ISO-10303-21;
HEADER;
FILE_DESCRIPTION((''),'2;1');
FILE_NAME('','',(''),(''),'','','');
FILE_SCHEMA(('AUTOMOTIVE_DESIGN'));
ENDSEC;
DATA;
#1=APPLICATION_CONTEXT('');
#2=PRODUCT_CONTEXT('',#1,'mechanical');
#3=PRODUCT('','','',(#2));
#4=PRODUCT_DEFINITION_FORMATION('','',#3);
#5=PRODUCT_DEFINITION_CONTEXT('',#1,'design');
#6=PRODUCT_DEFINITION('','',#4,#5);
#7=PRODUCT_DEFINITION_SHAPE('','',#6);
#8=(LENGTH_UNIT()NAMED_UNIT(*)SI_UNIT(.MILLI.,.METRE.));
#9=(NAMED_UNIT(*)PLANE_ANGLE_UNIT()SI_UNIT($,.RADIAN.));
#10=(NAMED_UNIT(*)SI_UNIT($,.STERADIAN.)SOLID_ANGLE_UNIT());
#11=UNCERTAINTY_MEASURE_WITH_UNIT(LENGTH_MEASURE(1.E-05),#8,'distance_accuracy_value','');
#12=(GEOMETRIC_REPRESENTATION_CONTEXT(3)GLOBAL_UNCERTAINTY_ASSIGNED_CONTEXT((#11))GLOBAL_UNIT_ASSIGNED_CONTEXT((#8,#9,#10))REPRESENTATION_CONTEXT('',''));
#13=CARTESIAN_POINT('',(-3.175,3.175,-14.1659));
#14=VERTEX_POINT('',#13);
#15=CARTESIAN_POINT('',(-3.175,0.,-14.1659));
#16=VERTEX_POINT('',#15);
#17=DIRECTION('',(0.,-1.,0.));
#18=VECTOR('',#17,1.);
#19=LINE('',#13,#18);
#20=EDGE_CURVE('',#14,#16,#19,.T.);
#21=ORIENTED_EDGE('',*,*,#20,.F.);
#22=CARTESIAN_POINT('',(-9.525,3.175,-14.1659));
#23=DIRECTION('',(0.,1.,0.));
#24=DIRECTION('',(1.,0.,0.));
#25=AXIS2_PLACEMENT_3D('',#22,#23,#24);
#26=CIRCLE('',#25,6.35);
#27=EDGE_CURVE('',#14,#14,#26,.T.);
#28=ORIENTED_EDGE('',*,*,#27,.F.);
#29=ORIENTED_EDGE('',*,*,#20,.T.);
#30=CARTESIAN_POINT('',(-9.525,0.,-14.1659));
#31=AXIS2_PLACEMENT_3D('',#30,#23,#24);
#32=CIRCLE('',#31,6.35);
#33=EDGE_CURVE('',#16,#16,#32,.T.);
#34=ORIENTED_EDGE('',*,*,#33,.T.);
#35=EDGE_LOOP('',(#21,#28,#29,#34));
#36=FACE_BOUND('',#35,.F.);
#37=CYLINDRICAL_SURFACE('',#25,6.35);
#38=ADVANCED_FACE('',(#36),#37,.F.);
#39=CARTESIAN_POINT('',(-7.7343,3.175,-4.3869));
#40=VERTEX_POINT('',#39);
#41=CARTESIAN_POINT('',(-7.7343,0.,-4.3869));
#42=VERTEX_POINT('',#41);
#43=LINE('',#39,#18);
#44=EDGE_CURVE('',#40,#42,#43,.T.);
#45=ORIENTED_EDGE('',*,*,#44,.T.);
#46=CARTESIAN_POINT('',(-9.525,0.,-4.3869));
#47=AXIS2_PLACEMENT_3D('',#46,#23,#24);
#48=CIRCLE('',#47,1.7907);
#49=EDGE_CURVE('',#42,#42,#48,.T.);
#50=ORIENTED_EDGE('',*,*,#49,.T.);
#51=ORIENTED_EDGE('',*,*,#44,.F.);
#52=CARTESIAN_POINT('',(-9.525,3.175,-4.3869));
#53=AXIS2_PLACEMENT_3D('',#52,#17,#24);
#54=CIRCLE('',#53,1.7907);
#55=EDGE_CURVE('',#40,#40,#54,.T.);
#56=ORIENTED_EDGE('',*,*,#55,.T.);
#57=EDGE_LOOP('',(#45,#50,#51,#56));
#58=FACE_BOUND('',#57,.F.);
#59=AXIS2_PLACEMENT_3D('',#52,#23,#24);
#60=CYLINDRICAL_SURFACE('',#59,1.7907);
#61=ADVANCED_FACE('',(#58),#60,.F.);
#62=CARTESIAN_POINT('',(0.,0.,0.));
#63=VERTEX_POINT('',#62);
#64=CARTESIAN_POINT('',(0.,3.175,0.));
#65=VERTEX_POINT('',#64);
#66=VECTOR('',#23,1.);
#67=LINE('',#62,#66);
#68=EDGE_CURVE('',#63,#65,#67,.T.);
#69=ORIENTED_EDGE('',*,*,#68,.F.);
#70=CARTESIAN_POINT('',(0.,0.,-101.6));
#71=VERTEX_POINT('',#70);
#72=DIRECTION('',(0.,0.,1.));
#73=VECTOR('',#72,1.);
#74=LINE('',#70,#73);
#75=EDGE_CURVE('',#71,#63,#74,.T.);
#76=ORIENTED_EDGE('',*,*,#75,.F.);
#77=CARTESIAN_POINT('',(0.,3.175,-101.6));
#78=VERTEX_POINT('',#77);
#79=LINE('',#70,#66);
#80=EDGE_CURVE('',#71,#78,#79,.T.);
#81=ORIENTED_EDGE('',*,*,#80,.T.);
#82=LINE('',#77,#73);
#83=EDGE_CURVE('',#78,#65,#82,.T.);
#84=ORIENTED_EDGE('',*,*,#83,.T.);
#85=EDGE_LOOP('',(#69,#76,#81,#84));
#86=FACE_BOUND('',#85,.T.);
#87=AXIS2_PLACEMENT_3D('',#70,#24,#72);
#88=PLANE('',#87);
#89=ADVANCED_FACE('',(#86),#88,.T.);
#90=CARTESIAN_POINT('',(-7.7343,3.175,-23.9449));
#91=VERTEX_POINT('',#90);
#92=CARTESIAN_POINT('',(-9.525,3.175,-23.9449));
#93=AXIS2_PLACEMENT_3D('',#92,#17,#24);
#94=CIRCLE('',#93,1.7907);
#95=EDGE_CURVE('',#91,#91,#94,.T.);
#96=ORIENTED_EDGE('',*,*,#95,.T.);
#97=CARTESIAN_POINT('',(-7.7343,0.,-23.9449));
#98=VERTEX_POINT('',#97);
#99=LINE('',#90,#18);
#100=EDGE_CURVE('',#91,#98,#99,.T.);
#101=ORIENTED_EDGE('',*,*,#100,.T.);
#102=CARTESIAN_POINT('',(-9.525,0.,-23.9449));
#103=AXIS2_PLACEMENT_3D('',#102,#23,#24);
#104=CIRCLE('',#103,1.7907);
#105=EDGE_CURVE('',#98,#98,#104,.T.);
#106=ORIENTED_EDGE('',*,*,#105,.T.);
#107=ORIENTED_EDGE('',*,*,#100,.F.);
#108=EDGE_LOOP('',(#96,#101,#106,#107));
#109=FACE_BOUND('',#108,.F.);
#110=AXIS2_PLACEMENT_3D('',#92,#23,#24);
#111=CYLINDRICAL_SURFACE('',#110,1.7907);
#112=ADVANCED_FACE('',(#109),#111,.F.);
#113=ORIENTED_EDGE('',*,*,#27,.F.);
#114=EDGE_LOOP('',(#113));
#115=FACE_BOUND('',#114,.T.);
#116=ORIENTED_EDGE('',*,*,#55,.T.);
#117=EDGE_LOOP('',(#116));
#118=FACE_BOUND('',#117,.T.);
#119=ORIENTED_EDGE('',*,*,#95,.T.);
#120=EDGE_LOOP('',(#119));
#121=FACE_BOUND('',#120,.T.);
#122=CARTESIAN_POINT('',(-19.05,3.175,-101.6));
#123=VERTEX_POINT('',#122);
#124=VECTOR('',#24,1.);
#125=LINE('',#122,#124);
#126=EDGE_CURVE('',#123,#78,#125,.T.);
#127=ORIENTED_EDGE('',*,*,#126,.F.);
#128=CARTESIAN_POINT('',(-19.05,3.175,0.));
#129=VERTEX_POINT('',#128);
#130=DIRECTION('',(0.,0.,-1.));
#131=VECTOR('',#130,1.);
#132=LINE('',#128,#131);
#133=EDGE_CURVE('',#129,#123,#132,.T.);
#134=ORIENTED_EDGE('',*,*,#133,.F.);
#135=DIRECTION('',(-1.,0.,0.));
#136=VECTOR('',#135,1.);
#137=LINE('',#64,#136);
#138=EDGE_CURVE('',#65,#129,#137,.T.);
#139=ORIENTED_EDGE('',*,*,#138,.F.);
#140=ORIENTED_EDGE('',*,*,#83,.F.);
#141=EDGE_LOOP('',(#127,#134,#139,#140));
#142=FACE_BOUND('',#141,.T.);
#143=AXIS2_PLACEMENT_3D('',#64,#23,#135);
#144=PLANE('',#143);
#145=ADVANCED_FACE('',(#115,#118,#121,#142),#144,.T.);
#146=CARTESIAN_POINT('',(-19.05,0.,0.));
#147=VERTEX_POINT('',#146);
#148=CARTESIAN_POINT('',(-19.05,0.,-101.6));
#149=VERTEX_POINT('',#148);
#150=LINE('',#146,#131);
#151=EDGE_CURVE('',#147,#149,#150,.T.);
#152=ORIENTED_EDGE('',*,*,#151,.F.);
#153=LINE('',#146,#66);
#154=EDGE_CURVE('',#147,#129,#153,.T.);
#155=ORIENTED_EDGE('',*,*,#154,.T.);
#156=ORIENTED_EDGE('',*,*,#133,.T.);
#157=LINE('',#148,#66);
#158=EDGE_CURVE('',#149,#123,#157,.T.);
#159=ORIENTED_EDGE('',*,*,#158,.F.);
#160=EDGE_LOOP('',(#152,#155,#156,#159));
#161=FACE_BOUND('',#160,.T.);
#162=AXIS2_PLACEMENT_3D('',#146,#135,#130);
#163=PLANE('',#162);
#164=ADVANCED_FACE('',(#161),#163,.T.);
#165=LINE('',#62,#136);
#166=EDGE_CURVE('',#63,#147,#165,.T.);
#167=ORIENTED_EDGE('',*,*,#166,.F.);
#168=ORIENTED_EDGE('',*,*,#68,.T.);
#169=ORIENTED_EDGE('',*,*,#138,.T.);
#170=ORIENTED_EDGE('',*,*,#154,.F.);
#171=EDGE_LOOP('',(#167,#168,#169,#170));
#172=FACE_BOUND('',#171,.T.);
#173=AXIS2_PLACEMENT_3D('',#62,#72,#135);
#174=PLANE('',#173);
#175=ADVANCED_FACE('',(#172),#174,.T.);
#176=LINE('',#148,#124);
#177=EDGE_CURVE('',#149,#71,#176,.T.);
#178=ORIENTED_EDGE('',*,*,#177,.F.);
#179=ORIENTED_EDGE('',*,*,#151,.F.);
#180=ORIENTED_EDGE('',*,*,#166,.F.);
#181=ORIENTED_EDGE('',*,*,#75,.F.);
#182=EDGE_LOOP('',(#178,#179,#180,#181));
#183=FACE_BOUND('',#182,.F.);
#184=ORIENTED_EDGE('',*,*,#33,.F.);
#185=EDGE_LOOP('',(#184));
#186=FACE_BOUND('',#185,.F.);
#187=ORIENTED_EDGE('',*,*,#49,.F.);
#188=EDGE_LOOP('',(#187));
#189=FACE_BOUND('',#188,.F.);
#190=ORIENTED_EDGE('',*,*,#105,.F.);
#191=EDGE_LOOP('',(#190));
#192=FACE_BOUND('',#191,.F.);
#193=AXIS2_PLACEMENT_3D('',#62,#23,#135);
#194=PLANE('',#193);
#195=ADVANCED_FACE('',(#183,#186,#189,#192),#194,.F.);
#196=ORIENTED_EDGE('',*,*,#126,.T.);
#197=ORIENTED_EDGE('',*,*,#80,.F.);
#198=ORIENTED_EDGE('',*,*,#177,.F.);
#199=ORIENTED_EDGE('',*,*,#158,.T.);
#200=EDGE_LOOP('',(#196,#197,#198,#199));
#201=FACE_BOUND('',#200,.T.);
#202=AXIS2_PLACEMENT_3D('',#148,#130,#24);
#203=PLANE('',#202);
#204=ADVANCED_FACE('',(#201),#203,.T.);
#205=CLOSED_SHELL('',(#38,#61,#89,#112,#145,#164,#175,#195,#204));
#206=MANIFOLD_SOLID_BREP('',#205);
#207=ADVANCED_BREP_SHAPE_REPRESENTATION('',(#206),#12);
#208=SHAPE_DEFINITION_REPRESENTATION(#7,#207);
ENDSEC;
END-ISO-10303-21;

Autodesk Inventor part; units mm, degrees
ref_plane "YZ Plane" through (0, 0, 0) normal (1, 0, 0) x (0, 1, 0)
ref_plane "XZ Plane" through (0, 0, 0) normal (0, 1, 0) x (-1, 0, 0)
ref_plane "XY Plane" through (0, 0, 0) normal (0, 0, 1) x (1, 0, 0)
sketch "Sketch1" plane through (0, 0, 0) normal (0, 1, 0) x (-1, 0, 0)
  line L0 (0, 0) -> (19.05, 0)
  line L1 (19.05, 0) -> (19.05, -101.6)
  line L2 (19.05, -101.6) -> (0, -101.6)
  line L3 (0, -101.6) -> (0, 0)
  dimension "d0" = 19.05
  dimension "d1" = 101.6
extrude "Extrusion1" add sketch "Sketch1" along normal blind 3.175
sketch "Sketch2" plane through (0, 3.175, 0) normal (0, 1, 0) x (1, 0, 0)
  circle A0 centre (-9.525, 14.1659) radius 9.779
  circle A1 centre (-9.525, 4.3869) radius 1.7907
  circle A2 centre (-9.525, 23.9449) radius 1.7907
  circle A3 centre (-9.525, 14.1659) radius 6.35
  point P0 (0, 0)
  dimension "d4" = 19.558
  dimension "d5" = 3.5814
  dimension "d6" = 3.5814
  dimension "d7" = 12.7
extrude "Extrusion2" cut sketch "Sketch2" against normal blind 3.175 contours A2 A0 | A0 A2 | A1 A0 | A0 A1 | A3
properties part number "ArmSmall"
